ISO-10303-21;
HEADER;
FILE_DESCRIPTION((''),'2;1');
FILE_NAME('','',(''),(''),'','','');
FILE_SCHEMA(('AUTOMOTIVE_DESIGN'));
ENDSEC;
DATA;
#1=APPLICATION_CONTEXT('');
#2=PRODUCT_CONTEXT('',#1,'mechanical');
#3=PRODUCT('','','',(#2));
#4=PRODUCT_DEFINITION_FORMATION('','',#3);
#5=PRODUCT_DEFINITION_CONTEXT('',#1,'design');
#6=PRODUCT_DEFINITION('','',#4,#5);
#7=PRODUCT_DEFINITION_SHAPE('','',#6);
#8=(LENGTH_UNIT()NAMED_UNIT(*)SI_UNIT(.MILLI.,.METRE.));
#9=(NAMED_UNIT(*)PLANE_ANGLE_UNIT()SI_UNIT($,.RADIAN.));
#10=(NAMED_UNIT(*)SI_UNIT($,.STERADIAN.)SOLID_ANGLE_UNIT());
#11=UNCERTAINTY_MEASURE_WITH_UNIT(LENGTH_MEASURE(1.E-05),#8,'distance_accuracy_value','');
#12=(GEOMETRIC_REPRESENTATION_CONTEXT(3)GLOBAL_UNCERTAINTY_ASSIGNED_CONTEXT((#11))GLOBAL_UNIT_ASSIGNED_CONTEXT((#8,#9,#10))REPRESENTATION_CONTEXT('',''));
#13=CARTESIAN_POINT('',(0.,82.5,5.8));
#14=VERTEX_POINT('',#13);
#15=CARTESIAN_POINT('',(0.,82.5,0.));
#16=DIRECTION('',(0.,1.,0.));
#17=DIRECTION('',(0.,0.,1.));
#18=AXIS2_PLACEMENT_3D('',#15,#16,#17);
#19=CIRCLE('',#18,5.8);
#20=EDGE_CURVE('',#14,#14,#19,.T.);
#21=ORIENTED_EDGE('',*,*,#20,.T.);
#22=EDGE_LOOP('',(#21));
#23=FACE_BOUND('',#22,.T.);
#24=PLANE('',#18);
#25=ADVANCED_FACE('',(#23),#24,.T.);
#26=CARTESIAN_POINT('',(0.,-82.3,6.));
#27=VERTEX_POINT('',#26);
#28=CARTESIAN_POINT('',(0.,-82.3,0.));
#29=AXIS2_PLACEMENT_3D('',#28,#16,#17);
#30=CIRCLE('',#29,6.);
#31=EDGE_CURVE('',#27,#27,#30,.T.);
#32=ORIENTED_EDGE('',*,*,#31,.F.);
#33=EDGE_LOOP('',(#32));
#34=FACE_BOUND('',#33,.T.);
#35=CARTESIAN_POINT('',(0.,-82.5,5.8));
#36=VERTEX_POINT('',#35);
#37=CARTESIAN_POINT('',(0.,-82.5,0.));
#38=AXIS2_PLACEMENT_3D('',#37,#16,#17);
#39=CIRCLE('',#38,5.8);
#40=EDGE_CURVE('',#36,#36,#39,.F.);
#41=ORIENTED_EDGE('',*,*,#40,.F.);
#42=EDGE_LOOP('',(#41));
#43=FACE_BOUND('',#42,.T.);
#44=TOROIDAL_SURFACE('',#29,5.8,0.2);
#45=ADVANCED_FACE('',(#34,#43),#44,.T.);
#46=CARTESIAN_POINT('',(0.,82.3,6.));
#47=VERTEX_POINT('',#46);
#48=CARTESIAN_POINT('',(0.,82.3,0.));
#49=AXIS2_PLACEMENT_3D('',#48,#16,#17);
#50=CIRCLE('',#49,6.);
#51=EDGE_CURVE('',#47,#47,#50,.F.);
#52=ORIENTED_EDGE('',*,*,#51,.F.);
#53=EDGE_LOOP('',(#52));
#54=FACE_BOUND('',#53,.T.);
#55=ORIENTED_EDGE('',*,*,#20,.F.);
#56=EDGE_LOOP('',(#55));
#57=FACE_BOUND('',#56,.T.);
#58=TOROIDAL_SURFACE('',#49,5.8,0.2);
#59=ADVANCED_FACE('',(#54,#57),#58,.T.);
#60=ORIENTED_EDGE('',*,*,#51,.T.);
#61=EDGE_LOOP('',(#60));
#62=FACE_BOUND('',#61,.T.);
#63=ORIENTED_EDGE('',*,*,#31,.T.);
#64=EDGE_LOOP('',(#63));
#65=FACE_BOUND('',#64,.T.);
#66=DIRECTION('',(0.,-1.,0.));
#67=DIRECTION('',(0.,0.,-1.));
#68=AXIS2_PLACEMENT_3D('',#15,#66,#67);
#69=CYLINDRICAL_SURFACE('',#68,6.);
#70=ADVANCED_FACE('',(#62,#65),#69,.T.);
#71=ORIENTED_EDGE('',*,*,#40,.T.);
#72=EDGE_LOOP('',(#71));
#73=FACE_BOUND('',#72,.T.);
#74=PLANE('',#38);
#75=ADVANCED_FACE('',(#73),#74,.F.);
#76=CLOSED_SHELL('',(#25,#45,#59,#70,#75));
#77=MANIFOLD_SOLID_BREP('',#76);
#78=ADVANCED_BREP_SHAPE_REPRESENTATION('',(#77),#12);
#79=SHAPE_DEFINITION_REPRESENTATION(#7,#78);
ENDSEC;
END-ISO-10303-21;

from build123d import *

# Parameters (mm, degrees)
SKETCH1_R           = 6
BOSS_EXTRUDE1_DEPTH = 82.5
FILLET1_R           = 0.2


with BuildPart() as part:
    # Sketch1 → Boss-Extrude1 (new, symmetric)
    with BuildSketch(Plane(origin=(0, 0, 0), x_dir=(1, 0, 0), z_dir=(0, 1, 0))):
        with Locations(Location((0, 0, 0), (0, 0, 270))):
            Circle(SKETCH1_R)
    extrude(amount=BOSS_EXTRUDE1_DEPTH, both=True)

    # Fillet1
    fillet1_edges = [part.edges().sort_by_distance(p)[0] for p in [
        (0, -82.5, -6),
        (0, 82.5, -6),
    ]]
    fillet(fillet1_edges, radius=FILLET1_R)


solid = part.part
